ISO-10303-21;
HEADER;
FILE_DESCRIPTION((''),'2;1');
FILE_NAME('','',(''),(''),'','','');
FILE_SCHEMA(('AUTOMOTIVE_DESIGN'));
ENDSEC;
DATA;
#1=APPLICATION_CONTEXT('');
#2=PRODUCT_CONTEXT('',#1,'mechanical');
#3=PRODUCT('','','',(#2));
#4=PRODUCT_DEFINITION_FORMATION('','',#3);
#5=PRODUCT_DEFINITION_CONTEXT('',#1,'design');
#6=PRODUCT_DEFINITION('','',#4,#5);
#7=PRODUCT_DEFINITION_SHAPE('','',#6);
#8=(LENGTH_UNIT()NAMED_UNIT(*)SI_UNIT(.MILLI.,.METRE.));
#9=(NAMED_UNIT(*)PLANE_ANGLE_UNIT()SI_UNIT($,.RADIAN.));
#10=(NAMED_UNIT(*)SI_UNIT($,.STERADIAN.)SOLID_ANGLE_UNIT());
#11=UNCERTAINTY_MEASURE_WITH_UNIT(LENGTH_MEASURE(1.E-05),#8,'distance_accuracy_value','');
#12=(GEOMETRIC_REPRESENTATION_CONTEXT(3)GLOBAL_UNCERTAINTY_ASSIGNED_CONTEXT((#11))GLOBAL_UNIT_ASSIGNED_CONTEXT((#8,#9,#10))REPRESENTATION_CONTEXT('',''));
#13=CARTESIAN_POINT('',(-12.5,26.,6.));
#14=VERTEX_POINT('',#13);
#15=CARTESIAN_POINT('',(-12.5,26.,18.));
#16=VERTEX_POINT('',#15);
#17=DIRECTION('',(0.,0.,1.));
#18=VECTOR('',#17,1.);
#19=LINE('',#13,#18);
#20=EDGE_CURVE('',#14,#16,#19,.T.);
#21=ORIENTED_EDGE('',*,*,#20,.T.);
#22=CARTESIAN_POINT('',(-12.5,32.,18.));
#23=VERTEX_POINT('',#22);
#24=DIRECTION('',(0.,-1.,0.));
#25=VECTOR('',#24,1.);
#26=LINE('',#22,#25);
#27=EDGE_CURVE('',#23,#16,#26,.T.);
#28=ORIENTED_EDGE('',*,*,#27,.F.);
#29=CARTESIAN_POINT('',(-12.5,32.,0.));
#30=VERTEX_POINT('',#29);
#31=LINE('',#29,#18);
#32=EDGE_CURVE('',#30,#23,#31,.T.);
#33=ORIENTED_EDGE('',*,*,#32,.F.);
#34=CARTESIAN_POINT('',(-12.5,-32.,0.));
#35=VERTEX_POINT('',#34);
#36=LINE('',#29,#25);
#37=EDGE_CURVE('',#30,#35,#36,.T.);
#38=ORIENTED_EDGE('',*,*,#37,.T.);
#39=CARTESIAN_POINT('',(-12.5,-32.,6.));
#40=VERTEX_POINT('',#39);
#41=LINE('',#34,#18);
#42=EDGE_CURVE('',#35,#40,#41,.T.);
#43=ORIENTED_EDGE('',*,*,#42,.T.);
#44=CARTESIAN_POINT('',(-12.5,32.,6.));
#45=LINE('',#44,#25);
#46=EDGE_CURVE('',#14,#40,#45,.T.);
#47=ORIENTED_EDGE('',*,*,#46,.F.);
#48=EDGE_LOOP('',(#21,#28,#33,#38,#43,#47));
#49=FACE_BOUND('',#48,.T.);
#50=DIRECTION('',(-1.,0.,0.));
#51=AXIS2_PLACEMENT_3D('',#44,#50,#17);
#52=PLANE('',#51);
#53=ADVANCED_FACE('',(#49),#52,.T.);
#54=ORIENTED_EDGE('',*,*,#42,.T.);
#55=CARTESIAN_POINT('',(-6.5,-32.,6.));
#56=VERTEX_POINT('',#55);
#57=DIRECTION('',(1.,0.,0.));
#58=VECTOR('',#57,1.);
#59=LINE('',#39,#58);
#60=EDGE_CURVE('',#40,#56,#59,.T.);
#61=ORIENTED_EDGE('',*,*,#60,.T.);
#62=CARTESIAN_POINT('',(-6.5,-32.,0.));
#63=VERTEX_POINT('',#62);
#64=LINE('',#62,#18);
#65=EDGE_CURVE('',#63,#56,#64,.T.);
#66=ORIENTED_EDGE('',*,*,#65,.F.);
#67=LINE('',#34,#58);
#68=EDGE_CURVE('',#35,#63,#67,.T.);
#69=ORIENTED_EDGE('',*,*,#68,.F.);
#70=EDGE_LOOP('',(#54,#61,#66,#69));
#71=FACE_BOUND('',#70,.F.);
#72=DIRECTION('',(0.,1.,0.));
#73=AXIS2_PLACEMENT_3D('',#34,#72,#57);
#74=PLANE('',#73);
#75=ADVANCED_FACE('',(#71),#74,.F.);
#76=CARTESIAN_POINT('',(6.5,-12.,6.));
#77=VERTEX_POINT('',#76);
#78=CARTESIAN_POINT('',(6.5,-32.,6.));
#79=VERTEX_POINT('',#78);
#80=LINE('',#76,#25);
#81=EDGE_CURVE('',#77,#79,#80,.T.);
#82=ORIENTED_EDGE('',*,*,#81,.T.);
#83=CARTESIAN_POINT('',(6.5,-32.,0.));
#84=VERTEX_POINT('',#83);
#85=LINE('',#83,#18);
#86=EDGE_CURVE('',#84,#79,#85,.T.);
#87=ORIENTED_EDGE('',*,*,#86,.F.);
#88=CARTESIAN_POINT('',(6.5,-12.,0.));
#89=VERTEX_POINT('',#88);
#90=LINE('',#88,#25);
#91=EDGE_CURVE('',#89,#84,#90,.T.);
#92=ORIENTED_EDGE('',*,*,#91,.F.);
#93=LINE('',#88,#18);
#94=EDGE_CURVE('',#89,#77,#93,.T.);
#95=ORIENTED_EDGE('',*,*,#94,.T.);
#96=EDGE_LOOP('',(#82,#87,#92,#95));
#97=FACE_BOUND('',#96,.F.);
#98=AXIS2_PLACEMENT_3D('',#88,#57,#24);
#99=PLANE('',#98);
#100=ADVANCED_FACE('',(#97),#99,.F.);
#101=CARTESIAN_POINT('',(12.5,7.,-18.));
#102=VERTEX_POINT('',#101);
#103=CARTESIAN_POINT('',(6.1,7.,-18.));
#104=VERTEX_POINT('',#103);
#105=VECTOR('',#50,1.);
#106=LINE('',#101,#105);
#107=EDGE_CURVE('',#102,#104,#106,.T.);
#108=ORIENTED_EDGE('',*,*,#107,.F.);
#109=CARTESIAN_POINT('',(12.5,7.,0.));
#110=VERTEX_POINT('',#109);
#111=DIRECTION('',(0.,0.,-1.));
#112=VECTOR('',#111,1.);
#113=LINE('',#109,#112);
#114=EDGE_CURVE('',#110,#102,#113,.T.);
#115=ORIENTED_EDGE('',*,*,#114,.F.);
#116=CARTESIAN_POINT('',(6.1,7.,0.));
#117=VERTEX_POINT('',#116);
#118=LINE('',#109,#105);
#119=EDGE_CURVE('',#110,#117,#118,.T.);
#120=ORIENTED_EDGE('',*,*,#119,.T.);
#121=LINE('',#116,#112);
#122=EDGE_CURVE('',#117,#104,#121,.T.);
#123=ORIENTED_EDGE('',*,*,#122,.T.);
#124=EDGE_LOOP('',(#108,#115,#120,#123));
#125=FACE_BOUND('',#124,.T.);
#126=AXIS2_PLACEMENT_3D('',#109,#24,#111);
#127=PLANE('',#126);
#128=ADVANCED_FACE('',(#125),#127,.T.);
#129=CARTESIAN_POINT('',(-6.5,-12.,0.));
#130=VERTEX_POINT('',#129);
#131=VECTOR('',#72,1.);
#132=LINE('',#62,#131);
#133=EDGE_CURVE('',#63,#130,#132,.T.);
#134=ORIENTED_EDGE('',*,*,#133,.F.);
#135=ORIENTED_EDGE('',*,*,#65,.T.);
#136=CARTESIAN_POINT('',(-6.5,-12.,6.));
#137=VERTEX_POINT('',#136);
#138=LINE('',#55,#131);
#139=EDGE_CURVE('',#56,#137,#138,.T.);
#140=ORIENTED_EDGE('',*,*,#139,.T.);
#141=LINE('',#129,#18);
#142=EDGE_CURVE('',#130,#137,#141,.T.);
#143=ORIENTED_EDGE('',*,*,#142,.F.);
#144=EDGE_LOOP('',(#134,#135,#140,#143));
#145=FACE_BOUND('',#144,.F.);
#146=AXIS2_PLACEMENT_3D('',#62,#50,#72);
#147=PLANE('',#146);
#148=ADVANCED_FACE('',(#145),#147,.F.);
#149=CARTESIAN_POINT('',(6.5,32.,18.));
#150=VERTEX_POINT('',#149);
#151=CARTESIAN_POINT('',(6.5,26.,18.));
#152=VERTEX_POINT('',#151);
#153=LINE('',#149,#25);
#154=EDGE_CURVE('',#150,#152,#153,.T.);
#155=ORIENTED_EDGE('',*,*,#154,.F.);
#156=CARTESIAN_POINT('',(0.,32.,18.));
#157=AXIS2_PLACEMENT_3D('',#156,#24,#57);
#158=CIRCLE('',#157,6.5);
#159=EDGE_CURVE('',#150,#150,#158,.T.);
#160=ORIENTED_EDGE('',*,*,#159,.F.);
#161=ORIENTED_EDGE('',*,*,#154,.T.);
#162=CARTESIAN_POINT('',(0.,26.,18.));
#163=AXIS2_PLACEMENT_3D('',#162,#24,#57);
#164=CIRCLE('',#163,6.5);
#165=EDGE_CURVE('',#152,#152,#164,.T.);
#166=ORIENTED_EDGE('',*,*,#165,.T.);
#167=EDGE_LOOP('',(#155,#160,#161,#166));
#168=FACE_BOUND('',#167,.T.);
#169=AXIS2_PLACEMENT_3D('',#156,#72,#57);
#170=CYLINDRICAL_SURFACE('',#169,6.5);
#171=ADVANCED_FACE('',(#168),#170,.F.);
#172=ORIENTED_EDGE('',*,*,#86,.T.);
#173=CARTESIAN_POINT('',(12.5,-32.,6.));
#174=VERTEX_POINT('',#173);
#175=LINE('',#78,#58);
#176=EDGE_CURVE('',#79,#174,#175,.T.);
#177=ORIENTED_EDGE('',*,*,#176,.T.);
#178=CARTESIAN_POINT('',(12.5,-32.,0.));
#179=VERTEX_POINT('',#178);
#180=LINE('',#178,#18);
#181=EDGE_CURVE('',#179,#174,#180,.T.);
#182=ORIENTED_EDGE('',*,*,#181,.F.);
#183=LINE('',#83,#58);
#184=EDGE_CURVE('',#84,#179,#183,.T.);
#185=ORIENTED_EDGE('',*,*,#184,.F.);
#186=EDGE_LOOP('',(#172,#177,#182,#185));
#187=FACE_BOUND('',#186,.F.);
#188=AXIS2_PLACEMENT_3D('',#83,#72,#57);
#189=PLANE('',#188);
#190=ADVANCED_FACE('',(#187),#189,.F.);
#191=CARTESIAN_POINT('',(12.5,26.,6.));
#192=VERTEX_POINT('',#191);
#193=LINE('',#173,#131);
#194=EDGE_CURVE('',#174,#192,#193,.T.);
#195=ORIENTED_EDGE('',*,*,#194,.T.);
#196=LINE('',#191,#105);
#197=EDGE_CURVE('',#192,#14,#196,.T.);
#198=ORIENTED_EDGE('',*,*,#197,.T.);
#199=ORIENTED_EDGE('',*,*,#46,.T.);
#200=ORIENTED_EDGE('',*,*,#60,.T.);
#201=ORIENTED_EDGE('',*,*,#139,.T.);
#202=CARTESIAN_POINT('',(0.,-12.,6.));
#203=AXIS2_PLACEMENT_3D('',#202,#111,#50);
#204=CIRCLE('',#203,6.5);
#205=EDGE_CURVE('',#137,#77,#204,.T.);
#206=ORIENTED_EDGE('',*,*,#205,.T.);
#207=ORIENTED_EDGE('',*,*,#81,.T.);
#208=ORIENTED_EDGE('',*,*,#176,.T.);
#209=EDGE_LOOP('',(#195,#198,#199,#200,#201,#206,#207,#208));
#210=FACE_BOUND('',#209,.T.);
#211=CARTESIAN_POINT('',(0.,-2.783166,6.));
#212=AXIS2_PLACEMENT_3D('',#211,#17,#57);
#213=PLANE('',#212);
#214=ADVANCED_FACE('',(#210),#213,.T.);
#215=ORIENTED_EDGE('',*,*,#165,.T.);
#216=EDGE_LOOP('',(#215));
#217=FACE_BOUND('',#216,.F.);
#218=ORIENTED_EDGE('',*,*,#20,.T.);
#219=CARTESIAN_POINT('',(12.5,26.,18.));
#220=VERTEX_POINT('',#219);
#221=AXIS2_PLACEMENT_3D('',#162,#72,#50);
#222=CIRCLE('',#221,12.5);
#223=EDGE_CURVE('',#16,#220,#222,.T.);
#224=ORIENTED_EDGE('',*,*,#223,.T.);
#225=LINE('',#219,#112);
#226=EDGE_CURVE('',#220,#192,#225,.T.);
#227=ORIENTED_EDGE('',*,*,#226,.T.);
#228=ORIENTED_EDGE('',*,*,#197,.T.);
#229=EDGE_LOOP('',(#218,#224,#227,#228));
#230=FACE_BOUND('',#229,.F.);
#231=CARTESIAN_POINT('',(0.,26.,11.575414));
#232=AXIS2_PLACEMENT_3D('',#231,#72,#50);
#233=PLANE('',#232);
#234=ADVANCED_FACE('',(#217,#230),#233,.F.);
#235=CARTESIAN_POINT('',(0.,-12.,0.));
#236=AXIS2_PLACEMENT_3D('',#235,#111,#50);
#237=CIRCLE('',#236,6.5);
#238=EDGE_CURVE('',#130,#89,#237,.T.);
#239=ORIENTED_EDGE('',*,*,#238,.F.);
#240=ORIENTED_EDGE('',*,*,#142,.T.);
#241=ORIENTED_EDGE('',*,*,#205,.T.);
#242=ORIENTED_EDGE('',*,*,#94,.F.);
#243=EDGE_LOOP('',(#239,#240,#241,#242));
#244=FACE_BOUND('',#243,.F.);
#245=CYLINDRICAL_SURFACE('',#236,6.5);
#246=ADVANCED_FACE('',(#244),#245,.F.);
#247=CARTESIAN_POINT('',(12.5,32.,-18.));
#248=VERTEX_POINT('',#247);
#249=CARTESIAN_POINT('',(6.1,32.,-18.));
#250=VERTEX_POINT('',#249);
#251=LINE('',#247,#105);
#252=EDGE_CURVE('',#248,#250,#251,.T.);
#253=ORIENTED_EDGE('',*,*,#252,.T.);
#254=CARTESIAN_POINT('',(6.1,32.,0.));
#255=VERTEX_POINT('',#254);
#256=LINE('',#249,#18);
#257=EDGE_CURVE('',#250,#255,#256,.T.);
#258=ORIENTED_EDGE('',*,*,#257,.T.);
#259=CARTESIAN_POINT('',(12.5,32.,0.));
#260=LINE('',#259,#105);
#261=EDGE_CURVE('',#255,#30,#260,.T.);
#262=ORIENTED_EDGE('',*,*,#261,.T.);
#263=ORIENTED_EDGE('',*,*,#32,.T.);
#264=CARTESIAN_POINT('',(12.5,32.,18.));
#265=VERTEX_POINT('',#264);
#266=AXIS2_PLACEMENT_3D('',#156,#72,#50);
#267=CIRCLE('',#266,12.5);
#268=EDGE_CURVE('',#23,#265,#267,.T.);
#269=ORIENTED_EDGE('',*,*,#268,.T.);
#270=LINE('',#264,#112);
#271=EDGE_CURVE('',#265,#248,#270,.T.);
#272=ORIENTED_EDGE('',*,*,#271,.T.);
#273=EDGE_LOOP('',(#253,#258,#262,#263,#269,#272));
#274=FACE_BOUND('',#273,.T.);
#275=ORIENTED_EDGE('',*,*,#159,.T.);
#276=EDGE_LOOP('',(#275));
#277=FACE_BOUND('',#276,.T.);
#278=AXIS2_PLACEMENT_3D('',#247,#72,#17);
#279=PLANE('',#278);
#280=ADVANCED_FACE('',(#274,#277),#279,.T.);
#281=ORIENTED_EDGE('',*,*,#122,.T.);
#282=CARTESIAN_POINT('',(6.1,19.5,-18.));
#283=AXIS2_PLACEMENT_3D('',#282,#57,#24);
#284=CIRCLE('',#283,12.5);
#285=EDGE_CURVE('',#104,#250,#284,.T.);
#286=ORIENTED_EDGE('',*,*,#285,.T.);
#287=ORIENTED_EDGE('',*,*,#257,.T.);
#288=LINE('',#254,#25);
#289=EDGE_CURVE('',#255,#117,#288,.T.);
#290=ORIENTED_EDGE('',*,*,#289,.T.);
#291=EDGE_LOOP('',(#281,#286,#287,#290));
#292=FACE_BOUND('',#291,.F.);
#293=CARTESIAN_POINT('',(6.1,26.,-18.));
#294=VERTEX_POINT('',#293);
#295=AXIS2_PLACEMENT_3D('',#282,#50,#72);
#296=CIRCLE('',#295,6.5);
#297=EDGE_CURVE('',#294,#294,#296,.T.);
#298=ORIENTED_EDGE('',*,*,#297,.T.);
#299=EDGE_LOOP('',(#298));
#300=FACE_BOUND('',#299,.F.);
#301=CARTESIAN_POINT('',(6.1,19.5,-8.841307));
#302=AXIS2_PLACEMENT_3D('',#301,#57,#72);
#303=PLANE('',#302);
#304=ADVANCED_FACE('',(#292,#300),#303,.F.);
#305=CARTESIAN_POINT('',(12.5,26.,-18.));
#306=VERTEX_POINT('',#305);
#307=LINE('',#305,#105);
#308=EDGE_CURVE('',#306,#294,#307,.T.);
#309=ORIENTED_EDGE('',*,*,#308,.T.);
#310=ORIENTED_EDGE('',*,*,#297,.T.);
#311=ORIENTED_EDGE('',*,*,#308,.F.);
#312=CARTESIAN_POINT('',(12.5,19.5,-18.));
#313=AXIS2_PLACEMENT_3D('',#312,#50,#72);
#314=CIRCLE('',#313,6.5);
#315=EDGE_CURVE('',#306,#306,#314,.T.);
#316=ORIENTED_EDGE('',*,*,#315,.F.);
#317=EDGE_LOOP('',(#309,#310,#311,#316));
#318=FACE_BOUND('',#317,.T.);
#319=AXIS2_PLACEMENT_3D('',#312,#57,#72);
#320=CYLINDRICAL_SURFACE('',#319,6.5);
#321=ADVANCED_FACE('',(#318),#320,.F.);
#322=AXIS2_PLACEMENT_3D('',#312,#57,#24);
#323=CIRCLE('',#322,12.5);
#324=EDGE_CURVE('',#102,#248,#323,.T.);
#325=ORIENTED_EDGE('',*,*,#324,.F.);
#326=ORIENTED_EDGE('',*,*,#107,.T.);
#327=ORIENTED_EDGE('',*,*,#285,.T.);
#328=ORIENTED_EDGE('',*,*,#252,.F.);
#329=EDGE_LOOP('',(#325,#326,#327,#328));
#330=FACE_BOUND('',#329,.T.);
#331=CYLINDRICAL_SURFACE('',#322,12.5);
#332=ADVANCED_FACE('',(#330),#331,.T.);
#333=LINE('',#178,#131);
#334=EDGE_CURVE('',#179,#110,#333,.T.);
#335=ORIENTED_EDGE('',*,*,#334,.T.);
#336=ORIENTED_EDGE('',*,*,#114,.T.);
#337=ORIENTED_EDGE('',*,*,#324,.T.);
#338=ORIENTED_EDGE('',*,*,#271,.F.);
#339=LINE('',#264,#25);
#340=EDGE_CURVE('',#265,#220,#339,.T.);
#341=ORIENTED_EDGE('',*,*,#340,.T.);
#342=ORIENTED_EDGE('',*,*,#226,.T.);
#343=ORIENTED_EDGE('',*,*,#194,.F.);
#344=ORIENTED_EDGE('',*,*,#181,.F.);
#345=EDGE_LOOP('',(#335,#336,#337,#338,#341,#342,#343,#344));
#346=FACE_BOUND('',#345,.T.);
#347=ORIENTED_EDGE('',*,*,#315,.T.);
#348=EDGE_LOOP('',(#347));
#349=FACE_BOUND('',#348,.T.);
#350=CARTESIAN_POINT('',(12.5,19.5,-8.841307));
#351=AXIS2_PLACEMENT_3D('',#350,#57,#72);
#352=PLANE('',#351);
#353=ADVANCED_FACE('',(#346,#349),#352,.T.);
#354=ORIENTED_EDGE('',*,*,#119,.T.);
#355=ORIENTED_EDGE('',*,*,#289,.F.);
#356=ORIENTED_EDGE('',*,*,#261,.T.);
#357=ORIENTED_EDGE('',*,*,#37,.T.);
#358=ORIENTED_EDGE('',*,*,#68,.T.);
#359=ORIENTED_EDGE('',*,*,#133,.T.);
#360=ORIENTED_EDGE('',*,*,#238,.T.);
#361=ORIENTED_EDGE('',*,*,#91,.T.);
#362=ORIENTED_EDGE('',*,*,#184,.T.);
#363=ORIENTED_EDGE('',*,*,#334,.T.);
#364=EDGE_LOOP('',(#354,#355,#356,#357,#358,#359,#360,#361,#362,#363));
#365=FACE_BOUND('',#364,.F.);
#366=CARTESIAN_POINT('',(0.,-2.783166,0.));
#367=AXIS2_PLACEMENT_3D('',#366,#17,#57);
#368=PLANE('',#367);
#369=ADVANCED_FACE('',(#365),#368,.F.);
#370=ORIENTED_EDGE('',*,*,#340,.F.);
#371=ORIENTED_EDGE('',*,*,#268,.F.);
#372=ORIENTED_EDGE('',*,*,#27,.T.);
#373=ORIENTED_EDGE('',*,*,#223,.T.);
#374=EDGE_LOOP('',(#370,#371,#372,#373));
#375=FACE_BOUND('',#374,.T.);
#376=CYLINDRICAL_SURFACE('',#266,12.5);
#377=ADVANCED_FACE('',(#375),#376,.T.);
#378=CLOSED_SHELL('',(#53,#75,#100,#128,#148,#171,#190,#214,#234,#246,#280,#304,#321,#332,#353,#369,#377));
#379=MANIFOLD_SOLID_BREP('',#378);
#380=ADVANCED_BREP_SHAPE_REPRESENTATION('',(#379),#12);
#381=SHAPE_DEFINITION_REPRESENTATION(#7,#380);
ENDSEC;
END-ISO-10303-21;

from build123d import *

# Parameters (mm, degrees)
F1_DEPTH = 6
F3_DEPTH = 6
F5_DEPTH = 6.4


with BuildPart() as f1:
    # F0 (on Top) → F1 (new body)
    with BuildSketch(Plane.XY):
        with BuildLine():
            Line((12.5, -32), (12.5, 32))
            Line((12.5, 32), (-12.5, 32))
            Line((-12.5, 32), (-12.5, -32))
            Line((-12.5, -32), (-6.5, -32))
            Line((-6.5, -32), (-6.5, -12))
            ThreePointArc((-6.5, -12), (0, -5.5), (6.5, -12))
            Line((6.5, -12), (6.5, -32))
            Line((6.5, -32), (12.5, -32))
        make_face()
    extrude(amount=F1_DEPTH)

    # F2 (on face) → F3 (join)
    with BuildSketch(Plane(origin=(0, 32, 0), x_dir=(-1, 0, 0), z_dir=(0, 1, 0))):
        with BuildLine():
            Line((-12.5, 18), (-12.5, 6))
            Line((-12.5, 6), (12.5, 6))
            Line((12.5, 6), (12.5, 18))
            Line((12.5, 18), (6.5, 18))
            ThreePointArc((6.5, 18), (0, 11.5), (-6.5, 18))
            Line((-6.5, 18), (-12.5, 18))
        make_face()
        with BuildLine():
            ThreePointArc((12.5, 18), (0, 30.5), (-12.5, 18))
            Line((-12.5, 18), (-6.5, 18))
            ThreePointArc((-6.5, 18), (0, 24.5), (6.5, 18))
            Line((6.5, 18), (12.5, 18))
        make_face()
    extrude(amount=-F3_DEPTH)

    # F4 (on face) → F5 (join)
    with BuildSketch(Plane.YZ.offset(12.5)):
        with BuildLine():
            Line((32, -18), (32, 0))
            Line((32, 0), (7, 0))
            Line((7, 0), (7, -18))
            Line((7, -18), (13, -18))
            ThreePointArc((13, -18), (19.5, -11.5), (26, -18))
            Line((26, -18), (32, -18))
        make_face()
        with BuildLine():
            ThreePointArc((7, -18), (19.5, -30.5), (32, -18))
            Line((32, -18), (26, -18))
            ThreePointArc((26, -18), (19.5, -24.5), (13, -18))
            Line((13, -18), (7, -18))
        make_face()
    extrude(amount=-F5_DEPTH)


solid = f1.part
